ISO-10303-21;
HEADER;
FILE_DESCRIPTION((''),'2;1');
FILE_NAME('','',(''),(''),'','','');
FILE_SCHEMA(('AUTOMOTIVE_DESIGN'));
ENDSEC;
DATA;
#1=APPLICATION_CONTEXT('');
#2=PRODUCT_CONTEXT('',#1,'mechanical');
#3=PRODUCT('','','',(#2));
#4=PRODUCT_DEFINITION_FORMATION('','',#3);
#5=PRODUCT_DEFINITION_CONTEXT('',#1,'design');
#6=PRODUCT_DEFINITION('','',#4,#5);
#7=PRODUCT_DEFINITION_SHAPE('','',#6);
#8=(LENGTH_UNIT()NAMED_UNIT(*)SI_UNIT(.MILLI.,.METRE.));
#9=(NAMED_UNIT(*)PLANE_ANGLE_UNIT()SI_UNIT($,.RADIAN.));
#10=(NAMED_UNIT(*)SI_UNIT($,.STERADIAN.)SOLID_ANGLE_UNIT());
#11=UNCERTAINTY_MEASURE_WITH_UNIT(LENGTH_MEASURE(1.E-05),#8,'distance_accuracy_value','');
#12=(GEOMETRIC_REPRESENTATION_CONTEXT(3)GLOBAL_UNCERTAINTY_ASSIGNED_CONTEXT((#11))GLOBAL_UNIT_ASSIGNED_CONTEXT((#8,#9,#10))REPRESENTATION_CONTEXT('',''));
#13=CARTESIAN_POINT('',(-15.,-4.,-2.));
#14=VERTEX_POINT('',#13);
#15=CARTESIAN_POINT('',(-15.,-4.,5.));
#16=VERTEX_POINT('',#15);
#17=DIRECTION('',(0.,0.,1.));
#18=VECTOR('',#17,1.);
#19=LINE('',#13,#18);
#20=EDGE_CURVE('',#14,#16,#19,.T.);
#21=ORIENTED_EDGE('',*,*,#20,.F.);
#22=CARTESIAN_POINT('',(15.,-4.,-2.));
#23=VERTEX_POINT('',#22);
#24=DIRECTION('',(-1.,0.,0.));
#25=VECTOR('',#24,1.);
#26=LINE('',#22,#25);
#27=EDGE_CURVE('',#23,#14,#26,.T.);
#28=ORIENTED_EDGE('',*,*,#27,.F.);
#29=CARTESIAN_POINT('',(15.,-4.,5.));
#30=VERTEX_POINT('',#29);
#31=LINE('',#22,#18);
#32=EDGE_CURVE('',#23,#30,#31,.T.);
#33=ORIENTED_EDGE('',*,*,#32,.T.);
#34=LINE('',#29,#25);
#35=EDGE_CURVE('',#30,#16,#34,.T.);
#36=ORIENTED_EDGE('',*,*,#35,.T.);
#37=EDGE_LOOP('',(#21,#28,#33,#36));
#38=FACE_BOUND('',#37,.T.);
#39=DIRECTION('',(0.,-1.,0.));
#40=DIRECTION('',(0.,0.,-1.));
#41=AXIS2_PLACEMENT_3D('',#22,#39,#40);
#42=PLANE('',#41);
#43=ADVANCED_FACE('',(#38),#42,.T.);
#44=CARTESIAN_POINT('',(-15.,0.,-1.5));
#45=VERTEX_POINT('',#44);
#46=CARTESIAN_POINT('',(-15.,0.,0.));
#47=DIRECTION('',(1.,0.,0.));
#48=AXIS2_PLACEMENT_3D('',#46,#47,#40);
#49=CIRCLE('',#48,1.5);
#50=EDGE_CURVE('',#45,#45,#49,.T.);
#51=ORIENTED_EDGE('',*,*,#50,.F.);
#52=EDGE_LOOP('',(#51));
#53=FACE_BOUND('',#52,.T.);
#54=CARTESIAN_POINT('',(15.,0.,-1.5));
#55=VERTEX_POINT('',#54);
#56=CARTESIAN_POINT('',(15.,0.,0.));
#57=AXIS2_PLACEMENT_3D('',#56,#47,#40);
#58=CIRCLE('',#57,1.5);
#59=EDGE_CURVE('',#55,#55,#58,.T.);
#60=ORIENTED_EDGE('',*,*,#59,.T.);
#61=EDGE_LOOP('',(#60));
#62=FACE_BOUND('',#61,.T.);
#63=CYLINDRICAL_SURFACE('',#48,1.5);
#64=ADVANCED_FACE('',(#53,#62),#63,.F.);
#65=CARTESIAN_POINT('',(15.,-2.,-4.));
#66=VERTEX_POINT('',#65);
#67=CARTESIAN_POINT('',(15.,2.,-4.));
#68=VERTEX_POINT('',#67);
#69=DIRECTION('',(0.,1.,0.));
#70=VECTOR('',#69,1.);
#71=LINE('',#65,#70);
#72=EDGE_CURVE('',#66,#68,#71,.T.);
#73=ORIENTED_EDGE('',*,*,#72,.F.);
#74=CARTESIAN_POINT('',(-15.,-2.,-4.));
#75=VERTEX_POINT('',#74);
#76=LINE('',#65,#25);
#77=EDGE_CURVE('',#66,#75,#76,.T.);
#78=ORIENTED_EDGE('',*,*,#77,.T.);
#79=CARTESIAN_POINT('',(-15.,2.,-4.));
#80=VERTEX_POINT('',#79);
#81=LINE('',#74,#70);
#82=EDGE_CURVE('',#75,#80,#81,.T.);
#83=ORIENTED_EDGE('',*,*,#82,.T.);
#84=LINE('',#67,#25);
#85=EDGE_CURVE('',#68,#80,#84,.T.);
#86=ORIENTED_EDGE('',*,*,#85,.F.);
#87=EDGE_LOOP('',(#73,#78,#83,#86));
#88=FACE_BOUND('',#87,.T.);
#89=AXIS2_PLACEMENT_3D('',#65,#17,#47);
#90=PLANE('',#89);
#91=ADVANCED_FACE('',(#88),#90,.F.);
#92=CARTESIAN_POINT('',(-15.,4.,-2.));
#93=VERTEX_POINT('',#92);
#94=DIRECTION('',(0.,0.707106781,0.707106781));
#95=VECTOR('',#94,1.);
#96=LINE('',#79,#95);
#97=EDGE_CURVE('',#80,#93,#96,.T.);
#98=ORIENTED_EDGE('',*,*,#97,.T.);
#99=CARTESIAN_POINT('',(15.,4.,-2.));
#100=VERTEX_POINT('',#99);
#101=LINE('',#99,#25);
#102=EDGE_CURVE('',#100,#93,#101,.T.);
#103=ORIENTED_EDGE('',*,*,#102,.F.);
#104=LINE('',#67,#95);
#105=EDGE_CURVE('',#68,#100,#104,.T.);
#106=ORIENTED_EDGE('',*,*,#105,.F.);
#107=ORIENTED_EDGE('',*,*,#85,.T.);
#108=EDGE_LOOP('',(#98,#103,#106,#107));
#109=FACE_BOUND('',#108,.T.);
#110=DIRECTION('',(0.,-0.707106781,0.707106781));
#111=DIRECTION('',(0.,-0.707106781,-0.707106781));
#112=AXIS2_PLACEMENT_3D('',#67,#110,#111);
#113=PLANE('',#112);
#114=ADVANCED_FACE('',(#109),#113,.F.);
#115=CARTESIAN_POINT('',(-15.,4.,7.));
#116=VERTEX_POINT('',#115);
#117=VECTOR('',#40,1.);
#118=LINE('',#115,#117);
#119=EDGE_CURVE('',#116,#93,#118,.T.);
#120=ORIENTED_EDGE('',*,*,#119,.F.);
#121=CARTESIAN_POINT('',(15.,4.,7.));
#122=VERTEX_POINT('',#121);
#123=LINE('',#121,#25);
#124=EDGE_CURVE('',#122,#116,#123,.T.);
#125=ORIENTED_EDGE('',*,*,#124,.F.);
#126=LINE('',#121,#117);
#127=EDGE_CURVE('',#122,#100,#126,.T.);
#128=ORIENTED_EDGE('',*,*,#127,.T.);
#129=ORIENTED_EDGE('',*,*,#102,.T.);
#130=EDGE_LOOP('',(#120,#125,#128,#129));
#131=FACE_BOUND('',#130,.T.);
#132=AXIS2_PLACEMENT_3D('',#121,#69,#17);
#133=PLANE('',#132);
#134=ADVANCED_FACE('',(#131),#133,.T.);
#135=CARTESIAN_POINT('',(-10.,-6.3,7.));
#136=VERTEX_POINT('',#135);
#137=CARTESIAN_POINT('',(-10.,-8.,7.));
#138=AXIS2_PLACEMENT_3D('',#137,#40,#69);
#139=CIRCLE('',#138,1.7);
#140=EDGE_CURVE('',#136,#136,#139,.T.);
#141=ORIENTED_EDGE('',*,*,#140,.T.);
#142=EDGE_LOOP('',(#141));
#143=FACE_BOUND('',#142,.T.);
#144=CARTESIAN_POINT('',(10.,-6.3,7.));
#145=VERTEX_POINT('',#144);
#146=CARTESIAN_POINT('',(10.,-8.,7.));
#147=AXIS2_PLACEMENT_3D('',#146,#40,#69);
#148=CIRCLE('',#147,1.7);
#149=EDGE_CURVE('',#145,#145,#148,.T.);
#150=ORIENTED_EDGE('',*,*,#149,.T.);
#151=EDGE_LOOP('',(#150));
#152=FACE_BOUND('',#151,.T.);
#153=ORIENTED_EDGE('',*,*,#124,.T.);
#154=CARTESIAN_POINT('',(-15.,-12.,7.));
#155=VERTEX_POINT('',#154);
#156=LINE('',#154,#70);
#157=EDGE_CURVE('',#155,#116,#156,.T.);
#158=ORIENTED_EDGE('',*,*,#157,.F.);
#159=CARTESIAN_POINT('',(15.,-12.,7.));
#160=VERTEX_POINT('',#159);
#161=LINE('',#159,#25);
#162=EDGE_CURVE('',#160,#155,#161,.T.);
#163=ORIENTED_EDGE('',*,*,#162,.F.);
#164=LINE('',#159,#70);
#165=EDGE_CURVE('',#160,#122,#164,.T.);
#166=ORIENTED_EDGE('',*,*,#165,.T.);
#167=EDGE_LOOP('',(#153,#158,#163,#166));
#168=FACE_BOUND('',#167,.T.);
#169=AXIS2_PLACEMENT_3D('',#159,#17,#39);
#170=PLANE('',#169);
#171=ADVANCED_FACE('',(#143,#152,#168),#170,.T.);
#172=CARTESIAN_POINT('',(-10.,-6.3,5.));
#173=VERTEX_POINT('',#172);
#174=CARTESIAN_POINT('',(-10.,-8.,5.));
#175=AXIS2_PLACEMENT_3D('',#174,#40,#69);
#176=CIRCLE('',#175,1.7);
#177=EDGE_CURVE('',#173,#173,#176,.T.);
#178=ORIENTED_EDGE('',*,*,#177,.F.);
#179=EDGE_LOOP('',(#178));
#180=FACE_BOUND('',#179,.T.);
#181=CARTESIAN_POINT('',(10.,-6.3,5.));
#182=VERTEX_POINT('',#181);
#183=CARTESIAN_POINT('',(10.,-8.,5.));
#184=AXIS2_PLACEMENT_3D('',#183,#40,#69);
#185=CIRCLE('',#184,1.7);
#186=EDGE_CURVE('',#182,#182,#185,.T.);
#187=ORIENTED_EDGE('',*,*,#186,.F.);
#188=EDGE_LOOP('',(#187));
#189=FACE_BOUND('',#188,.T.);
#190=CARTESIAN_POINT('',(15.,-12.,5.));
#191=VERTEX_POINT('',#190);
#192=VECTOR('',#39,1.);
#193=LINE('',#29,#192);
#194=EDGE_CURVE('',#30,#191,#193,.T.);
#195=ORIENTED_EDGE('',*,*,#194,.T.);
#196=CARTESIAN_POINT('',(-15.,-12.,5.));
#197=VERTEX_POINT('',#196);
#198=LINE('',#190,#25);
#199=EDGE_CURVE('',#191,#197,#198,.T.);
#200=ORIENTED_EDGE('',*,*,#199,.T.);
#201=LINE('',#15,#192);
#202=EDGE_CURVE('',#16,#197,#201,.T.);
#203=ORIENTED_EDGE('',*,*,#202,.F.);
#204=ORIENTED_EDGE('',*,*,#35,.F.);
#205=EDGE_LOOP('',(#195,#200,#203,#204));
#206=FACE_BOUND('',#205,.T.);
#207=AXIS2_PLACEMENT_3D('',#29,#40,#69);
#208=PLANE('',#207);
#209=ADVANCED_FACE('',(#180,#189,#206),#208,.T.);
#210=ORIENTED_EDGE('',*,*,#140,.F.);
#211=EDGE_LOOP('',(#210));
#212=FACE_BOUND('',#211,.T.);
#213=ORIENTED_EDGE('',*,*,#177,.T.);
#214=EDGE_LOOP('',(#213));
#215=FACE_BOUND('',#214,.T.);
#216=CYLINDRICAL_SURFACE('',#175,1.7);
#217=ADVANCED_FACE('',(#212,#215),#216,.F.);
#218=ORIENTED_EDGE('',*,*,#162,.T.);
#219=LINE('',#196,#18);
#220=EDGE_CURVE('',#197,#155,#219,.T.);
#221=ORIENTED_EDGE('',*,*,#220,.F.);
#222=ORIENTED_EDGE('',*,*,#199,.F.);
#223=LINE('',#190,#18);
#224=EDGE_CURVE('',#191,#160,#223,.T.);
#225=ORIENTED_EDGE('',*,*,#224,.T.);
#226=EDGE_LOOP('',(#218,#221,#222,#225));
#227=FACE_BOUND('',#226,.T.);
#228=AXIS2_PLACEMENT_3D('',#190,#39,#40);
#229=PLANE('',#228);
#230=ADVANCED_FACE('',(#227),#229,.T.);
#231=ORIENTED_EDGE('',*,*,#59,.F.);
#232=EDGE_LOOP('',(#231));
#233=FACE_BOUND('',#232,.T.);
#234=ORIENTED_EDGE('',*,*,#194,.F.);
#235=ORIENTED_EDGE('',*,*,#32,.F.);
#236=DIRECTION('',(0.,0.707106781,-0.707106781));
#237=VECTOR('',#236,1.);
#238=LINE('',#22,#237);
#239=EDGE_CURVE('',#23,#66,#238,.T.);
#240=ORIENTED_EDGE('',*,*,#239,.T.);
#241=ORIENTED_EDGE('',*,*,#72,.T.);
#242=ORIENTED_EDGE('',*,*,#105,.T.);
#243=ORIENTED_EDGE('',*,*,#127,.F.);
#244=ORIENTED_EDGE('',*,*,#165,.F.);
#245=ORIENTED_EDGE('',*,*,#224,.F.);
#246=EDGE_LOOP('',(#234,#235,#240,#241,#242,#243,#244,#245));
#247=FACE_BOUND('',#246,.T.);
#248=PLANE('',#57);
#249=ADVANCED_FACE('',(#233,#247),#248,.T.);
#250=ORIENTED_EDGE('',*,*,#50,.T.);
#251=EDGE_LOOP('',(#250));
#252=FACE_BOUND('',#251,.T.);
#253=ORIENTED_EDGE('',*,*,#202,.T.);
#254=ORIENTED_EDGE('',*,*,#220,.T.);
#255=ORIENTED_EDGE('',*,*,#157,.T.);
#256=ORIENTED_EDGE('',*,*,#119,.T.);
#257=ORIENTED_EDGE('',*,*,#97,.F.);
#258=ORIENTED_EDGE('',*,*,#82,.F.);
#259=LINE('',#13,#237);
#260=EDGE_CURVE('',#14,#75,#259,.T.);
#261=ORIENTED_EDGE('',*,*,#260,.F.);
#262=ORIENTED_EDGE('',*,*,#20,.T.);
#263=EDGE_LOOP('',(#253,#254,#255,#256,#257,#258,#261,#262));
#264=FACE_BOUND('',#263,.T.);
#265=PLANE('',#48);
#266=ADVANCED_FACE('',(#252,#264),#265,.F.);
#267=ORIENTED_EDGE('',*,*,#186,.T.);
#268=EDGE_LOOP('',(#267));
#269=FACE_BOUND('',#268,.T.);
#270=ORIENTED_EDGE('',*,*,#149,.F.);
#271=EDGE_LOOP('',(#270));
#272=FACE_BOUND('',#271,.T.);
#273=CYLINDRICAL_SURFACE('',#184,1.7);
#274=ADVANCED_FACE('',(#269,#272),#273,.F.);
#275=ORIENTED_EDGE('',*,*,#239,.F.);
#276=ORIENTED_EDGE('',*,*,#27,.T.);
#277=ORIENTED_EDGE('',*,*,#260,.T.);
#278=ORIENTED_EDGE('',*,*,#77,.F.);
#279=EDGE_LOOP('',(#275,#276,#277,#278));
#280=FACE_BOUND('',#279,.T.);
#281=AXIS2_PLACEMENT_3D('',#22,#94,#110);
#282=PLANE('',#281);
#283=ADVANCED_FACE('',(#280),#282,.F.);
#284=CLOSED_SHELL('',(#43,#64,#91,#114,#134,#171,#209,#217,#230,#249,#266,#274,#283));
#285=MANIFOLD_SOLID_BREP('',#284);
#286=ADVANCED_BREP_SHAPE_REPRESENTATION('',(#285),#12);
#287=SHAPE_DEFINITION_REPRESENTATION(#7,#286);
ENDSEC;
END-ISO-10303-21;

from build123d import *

# Parameters (mm, degrees)
BOSS_EXTRUDE1_DEPTH     = 15
M3_CLEARANCE_HOLE1_D    = 3.4
SKETCH4_R               = 1.5
CUT_EXTRUDE1_DEPTH      = 1
CUT_EXTRUDE1_DEPTH_BACK = 31


with BuildPart() as part:
    # Sketch1 → Boss-Extrude1 (new body, symmetric)
    with BuildSketch(Plane(origin=(0, 0, 0), x_dir=(0, 0, -1), z_dir=(1, 0, 0))):
        Polygon((-7, 4), (2, 4), (4, 2), (4, -2), (2, -4), (-5, -4), (-5, -12), (-7, -12), align=None)
    extrude(amount=BOSS_EXTRUDE1_DEPTH, both=True)

    # M3 Clearance Hole1 (through all)
    with Locations(Plane(origin=(0, 0, 5), x_dir=(-1, 0, 0), z_dir=(0, 0, -1))):
        with Locations((-10, -8), (10, -8)):
            Hole(M3_CLEARANCE_HOLE1_D / 2)

    # Sketch4 → Cut-Extrude1 (cut, two sides)
    with BuildSketch(Plane(origin=(15, 0, 0), x_dir=(0, 0, -1), z_dir=(1, 0, 0))) as cut_extrude1_sk:
        Circle(SKETCH4_R)
    extrude(amount=CUT_EXTRUDE1_DEPTH, mode=Mode.SUBTRACT)
    extrude(cut_extrude1_sk.sketch, amount=-CUT_EXTRUDE1_DEPTH_BACK, mode=Mode.SUBTRACT)


solid = part.part
